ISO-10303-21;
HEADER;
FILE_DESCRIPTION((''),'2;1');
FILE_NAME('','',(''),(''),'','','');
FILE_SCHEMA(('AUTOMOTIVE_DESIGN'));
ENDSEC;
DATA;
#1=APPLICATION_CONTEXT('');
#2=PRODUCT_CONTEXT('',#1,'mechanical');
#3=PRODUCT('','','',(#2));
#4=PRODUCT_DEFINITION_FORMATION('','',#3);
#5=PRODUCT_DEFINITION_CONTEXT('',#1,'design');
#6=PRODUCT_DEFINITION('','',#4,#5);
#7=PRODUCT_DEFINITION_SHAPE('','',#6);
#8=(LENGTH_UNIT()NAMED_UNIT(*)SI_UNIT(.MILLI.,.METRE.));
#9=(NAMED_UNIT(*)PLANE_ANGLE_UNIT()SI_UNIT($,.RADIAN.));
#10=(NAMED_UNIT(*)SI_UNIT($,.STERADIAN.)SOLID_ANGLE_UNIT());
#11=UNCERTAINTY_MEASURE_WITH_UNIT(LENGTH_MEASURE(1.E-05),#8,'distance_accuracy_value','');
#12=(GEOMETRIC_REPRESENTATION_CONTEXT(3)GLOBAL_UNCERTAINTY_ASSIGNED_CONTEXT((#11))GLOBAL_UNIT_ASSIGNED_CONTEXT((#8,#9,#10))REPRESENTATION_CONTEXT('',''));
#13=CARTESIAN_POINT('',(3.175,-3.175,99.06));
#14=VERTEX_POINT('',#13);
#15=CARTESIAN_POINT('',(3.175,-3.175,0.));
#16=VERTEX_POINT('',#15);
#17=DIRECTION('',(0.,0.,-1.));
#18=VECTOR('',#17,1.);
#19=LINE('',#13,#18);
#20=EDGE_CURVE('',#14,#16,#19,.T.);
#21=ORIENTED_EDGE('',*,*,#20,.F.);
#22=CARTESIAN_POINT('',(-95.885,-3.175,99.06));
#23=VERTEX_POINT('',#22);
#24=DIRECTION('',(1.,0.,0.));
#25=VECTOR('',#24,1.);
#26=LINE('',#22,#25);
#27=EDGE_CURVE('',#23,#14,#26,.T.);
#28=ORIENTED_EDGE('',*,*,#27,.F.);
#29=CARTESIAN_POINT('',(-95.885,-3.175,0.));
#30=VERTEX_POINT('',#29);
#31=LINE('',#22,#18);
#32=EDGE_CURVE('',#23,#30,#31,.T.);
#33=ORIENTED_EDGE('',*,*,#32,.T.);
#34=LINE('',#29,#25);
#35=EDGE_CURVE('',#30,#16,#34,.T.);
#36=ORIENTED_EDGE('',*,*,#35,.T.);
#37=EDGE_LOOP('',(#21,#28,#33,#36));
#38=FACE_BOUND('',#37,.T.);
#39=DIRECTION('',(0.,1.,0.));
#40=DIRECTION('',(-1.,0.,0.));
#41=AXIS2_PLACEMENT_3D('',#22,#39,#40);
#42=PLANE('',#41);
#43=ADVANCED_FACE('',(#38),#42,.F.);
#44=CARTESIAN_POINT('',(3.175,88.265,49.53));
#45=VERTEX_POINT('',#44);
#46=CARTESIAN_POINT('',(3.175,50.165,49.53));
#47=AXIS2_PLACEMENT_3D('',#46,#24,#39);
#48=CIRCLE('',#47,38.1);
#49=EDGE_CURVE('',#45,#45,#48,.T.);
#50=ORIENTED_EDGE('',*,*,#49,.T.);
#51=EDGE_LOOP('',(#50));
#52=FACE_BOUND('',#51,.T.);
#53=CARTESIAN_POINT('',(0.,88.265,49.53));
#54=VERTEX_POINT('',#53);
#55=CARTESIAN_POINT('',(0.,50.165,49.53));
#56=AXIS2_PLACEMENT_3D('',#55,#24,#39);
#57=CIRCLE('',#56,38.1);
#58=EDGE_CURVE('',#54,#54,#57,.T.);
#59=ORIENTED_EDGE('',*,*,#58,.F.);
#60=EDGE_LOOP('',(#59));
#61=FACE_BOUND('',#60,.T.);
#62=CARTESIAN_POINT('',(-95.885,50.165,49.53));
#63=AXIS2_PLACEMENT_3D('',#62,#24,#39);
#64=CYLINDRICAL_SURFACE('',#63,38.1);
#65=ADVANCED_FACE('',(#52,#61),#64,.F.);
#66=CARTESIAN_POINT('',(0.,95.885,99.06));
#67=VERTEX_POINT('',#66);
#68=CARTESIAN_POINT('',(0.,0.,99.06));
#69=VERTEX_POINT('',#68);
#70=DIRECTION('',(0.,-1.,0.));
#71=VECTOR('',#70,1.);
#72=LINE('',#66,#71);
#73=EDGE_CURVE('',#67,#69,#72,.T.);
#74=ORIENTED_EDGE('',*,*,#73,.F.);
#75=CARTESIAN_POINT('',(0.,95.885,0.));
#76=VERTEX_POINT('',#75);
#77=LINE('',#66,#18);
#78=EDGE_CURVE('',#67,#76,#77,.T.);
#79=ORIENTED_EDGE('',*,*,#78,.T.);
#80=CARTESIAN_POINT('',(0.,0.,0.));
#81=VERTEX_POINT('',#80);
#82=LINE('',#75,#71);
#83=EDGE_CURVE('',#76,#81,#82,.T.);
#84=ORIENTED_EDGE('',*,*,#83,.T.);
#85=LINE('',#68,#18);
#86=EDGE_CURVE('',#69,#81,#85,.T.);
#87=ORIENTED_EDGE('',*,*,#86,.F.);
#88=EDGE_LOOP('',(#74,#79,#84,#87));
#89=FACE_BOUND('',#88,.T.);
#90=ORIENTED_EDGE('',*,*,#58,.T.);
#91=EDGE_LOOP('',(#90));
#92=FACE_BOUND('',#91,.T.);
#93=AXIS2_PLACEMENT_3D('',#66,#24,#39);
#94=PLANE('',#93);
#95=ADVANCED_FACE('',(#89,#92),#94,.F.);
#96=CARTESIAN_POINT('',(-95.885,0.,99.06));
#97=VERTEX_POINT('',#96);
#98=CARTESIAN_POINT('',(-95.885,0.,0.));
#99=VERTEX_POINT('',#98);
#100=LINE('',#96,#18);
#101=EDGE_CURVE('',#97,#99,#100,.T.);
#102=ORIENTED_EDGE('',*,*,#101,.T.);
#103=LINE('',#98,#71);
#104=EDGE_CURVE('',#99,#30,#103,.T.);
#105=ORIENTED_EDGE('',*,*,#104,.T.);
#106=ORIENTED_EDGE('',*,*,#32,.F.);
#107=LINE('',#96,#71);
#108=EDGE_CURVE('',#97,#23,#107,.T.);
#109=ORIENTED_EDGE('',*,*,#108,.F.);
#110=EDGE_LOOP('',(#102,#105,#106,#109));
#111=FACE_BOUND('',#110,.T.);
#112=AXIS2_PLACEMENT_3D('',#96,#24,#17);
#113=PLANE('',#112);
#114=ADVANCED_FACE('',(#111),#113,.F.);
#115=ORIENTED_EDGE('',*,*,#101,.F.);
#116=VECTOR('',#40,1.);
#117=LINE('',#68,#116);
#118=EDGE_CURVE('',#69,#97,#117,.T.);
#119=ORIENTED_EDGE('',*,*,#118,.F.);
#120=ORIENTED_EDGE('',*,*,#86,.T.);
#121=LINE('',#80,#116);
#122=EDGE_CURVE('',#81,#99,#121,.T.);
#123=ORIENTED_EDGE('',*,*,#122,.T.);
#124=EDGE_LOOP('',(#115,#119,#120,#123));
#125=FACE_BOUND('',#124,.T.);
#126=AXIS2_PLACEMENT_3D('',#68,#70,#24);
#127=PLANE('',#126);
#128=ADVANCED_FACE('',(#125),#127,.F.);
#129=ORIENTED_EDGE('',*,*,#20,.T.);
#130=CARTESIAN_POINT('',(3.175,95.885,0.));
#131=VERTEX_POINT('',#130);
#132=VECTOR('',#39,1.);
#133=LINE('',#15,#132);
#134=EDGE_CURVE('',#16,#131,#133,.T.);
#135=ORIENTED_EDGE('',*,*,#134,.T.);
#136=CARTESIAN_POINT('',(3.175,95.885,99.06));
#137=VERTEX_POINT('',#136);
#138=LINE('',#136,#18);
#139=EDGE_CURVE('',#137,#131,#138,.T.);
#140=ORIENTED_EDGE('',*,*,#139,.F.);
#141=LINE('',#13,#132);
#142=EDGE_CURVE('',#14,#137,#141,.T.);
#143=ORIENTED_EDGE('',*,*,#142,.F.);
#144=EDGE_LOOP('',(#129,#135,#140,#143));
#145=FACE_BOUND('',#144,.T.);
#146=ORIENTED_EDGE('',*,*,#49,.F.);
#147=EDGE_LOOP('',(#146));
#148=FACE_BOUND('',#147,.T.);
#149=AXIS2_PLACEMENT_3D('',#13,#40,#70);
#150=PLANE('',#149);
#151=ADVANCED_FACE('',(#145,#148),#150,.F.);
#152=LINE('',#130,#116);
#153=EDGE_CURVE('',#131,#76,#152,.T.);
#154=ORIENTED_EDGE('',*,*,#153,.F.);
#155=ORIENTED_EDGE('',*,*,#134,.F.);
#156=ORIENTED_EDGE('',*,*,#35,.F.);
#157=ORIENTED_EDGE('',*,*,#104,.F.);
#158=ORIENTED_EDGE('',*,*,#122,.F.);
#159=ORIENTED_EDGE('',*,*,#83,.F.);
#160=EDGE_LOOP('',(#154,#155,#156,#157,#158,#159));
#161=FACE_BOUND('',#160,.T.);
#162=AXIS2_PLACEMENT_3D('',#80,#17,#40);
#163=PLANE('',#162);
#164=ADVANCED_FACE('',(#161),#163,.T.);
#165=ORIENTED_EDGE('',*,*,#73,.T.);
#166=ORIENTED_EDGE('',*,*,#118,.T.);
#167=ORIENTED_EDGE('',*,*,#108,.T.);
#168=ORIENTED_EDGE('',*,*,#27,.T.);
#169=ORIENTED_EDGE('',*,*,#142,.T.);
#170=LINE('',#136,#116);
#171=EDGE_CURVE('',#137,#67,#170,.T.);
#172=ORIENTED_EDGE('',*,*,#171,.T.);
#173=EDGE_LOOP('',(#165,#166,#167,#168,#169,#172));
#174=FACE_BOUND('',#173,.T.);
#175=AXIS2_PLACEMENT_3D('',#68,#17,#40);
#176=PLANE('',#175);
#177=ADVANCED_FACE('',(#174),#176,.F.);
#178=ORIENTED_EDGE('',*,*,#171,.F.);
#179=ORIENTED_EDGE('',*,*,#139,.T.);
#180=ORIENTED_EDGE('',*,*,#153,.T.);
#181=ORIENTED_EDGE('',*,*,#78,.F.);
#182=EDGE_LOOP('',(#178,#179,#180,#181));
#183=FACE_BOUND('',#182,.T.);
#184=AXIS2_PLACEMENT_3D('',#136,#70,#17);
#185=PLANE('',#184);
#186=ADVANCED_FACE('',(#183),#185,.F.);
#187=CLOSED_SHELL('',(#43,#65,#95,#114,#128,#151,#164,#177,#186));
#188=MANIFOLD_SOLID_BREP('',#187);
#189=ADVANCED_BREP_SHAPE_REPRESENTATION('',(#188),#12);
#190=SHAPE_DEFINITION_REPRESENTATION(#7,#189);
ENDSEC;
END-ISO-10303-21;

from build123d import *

# Parameters (mm, degrees)
BOSS_EXTRUDE1_DEPTH = 99.06
SKETCH2_R           = 38.1
CUT_EXTRUDE1_DEPTH  = 170.763660496


with BuildPart() as part:
    # Sketch1 → Boss-Extrude1 (new body)
    with BuildSketch(Plane.XY):
        Polygon((0, 0), (-95.885, 0), (-95.885, -3.175), (3.175, -3.175), (3.175, 95.885), (0, 95.885), align=None)
    extrude(amount=BOSS_EXTRUDE1_DEPTH)

    # Sketch2 → Cut-Extrude1 (cut, through all)
    with BuildSketch(Plane(origin=(3.175, 0, 0), x_dir=(0, 0, -1), z_dir=(1, 0, 0))):
        with Locations(Location((-49.53, 50.165, 0), (0, 0, 90))):
            Circle(SKETCH2_R)
    extrude(amount=-CUT_EXTRUDE1_DEPTH, mode=Mode.SUBTRACT)


solid = part.part
